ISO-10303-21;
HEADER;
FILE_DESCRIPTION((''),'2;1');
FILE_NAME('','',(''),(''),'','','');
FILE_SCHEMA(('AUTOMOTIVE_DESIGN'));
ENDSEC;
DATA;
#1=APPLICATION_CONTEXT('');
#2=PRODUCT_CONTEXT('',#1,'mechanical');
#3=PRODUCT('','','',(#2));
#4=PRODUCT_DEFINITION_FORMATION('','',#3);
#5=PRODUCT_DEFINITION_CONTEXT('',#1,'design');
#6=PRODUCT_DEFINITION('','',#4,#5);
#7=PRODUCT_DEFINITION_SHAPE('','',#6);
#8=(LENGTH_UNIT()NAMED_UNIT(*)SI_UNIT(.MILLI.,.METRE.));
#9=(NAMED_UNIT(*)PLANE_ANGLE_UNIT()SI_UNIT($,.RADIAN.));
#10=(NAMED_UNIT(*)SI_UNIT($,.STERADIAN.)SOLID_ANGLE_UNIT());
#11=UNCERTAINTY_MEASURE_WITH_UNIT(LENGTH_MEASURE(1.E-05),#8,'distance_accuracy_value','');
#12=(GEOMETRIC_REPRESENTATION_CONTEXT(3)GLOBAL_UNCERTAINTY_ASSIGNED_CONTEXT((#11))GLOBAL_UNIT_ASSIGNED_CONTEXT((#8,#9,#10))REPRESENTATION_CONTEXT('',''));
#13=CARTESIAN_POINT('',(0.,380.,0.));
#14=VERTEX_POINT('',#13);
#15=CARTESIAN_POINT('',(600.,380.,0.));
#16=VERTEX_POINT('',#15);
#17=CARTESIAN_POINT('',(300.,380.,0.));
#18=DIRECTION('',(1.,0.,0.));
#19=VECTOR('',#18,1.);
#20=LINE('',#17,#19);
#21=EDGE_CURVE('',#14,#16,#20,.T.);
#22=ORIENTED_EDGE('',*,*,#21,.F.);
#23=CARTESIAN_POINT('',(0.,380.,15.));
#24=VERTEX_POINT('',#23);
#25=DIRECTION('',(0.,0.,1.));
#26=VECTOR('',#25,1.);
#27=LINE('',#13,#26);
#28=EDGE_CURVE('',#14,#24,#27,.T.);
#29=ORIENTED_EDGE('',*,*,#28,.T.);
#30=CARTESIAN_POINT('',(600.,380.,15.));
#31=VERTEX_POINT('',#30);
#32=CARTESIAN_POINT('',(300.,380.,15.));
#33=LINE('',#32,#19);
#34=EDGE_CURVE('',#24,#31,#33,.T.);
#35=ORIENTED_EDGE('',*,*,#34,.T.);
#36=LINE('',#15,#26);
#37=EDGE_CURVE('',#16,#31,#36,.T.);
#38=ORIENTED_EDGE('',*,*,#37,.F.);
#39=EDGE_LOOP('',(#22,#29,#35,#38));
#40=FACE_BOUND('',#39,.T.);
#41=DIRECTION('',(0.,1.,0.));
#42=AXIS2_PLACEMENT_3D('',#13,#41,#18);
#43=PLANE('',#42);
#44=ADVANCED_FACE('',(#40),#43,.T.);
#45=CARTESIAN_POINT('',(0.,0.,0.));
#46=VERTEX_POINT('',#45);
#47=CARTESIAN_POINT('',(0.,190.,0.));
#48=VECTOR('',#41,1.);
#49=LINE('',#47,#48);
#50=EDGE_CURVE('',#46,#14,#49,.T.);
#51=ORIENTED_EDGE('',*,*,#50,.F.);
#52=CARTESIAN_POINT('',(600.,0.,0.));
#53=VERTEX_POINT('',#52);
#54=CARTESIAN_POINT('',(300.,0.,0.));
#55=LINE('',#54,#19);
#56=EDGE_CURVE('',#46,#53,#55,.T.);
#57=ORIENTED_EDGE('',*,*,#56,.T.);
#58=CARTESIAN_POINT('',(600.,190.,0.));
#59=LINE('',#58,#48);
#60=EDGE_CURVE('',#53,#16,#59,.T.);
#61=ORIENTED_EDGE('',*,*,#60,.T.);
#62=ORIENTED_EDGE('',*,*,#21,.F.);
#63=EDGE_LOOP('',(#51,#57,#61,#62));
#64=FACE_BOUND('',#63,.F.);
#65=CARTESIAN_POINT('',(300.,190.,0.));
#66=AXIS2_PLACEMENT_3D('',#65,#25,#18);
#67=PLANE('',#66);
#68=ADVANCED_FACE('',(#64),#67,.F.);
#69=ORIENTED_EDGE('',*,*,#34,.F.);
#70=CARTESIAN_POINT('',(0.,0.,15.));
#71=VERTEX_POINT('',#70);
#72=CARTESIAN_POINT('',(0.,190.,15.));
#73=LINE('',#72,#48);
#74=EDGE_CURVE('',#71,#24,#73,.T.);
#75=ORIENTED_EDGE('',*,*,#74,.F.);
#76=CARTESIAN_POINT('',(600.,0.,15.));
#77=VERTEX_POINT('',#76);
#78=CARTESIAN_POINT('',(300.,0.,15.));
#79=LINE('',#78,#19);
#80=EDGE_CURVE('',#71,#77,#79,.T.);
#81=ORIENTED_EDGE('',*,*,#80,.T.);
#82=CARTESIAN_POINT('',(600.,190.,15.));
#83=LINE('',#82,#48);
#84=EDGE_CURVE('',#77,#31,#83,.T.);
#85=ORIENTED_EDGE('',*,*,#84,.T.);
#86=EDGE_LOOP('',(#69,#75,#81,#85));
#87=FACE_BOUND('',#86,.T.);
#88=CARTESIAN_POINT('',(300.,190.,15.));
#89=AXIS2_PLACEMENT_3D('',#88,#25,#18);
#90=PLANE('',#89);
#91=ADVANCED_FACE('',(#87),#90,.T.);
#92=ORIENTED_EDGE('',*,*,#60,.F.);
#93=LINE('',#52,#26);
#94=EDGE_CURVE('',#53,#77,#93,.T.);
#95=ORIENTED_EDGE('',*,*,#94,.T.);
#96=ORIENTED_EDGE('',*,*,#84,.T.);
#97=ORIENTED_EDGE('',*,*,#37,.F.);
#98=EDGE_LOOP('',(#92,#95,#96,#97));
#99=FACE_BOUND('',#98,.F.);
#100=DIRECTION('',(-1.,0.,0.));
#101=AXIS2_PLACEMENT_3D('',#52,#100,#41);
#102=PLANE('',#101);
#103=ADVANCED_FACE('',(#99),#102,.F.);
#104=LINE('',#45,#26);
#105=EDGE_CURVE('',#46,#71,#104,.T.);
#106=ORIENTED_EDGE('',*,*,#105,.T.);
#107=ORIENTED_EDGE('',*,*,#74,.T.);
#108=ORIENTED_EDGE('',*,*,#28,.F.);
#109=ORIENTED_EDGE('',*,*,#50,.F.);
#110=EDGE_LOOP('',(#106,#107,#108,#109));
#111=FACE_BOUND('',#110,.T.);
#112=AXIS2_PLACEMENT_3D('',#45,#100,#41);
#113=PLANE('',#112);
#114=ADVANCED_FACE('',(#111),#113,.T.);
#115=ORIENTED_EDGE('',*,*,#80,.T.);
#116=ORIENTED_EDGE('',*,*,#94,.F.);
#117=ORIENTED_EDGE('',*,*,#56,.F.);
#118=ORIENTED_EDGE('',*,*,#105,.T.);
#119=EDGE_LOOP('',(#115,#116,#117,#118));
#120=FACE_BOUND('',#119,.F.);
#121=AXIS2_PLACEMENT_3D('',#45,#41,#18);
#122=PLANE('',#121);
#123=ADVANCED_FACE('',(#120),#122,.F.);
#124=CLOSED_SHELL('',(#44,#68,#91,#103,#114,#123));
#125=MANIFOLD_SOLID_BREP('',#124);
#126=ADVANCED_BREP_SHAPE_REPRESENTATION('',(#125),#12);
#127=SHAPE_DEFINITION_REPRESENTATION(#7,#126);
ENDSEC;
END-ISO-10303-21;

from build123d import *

# Parameters (mm, degrees)
SKETCH_W  = 600
SKETCH_H  = 380
PAD_DEPTH = 15


with BuildPart() as part:
    # Sketch → Pad (new body)
    with BuildSketch(Plane.XY):
        with Locations((300, 190)):
            Rectangle(SKETCH_W, SKETCH_H)
    extrude(amount=PAD_DEPTH)


solid = part.part
